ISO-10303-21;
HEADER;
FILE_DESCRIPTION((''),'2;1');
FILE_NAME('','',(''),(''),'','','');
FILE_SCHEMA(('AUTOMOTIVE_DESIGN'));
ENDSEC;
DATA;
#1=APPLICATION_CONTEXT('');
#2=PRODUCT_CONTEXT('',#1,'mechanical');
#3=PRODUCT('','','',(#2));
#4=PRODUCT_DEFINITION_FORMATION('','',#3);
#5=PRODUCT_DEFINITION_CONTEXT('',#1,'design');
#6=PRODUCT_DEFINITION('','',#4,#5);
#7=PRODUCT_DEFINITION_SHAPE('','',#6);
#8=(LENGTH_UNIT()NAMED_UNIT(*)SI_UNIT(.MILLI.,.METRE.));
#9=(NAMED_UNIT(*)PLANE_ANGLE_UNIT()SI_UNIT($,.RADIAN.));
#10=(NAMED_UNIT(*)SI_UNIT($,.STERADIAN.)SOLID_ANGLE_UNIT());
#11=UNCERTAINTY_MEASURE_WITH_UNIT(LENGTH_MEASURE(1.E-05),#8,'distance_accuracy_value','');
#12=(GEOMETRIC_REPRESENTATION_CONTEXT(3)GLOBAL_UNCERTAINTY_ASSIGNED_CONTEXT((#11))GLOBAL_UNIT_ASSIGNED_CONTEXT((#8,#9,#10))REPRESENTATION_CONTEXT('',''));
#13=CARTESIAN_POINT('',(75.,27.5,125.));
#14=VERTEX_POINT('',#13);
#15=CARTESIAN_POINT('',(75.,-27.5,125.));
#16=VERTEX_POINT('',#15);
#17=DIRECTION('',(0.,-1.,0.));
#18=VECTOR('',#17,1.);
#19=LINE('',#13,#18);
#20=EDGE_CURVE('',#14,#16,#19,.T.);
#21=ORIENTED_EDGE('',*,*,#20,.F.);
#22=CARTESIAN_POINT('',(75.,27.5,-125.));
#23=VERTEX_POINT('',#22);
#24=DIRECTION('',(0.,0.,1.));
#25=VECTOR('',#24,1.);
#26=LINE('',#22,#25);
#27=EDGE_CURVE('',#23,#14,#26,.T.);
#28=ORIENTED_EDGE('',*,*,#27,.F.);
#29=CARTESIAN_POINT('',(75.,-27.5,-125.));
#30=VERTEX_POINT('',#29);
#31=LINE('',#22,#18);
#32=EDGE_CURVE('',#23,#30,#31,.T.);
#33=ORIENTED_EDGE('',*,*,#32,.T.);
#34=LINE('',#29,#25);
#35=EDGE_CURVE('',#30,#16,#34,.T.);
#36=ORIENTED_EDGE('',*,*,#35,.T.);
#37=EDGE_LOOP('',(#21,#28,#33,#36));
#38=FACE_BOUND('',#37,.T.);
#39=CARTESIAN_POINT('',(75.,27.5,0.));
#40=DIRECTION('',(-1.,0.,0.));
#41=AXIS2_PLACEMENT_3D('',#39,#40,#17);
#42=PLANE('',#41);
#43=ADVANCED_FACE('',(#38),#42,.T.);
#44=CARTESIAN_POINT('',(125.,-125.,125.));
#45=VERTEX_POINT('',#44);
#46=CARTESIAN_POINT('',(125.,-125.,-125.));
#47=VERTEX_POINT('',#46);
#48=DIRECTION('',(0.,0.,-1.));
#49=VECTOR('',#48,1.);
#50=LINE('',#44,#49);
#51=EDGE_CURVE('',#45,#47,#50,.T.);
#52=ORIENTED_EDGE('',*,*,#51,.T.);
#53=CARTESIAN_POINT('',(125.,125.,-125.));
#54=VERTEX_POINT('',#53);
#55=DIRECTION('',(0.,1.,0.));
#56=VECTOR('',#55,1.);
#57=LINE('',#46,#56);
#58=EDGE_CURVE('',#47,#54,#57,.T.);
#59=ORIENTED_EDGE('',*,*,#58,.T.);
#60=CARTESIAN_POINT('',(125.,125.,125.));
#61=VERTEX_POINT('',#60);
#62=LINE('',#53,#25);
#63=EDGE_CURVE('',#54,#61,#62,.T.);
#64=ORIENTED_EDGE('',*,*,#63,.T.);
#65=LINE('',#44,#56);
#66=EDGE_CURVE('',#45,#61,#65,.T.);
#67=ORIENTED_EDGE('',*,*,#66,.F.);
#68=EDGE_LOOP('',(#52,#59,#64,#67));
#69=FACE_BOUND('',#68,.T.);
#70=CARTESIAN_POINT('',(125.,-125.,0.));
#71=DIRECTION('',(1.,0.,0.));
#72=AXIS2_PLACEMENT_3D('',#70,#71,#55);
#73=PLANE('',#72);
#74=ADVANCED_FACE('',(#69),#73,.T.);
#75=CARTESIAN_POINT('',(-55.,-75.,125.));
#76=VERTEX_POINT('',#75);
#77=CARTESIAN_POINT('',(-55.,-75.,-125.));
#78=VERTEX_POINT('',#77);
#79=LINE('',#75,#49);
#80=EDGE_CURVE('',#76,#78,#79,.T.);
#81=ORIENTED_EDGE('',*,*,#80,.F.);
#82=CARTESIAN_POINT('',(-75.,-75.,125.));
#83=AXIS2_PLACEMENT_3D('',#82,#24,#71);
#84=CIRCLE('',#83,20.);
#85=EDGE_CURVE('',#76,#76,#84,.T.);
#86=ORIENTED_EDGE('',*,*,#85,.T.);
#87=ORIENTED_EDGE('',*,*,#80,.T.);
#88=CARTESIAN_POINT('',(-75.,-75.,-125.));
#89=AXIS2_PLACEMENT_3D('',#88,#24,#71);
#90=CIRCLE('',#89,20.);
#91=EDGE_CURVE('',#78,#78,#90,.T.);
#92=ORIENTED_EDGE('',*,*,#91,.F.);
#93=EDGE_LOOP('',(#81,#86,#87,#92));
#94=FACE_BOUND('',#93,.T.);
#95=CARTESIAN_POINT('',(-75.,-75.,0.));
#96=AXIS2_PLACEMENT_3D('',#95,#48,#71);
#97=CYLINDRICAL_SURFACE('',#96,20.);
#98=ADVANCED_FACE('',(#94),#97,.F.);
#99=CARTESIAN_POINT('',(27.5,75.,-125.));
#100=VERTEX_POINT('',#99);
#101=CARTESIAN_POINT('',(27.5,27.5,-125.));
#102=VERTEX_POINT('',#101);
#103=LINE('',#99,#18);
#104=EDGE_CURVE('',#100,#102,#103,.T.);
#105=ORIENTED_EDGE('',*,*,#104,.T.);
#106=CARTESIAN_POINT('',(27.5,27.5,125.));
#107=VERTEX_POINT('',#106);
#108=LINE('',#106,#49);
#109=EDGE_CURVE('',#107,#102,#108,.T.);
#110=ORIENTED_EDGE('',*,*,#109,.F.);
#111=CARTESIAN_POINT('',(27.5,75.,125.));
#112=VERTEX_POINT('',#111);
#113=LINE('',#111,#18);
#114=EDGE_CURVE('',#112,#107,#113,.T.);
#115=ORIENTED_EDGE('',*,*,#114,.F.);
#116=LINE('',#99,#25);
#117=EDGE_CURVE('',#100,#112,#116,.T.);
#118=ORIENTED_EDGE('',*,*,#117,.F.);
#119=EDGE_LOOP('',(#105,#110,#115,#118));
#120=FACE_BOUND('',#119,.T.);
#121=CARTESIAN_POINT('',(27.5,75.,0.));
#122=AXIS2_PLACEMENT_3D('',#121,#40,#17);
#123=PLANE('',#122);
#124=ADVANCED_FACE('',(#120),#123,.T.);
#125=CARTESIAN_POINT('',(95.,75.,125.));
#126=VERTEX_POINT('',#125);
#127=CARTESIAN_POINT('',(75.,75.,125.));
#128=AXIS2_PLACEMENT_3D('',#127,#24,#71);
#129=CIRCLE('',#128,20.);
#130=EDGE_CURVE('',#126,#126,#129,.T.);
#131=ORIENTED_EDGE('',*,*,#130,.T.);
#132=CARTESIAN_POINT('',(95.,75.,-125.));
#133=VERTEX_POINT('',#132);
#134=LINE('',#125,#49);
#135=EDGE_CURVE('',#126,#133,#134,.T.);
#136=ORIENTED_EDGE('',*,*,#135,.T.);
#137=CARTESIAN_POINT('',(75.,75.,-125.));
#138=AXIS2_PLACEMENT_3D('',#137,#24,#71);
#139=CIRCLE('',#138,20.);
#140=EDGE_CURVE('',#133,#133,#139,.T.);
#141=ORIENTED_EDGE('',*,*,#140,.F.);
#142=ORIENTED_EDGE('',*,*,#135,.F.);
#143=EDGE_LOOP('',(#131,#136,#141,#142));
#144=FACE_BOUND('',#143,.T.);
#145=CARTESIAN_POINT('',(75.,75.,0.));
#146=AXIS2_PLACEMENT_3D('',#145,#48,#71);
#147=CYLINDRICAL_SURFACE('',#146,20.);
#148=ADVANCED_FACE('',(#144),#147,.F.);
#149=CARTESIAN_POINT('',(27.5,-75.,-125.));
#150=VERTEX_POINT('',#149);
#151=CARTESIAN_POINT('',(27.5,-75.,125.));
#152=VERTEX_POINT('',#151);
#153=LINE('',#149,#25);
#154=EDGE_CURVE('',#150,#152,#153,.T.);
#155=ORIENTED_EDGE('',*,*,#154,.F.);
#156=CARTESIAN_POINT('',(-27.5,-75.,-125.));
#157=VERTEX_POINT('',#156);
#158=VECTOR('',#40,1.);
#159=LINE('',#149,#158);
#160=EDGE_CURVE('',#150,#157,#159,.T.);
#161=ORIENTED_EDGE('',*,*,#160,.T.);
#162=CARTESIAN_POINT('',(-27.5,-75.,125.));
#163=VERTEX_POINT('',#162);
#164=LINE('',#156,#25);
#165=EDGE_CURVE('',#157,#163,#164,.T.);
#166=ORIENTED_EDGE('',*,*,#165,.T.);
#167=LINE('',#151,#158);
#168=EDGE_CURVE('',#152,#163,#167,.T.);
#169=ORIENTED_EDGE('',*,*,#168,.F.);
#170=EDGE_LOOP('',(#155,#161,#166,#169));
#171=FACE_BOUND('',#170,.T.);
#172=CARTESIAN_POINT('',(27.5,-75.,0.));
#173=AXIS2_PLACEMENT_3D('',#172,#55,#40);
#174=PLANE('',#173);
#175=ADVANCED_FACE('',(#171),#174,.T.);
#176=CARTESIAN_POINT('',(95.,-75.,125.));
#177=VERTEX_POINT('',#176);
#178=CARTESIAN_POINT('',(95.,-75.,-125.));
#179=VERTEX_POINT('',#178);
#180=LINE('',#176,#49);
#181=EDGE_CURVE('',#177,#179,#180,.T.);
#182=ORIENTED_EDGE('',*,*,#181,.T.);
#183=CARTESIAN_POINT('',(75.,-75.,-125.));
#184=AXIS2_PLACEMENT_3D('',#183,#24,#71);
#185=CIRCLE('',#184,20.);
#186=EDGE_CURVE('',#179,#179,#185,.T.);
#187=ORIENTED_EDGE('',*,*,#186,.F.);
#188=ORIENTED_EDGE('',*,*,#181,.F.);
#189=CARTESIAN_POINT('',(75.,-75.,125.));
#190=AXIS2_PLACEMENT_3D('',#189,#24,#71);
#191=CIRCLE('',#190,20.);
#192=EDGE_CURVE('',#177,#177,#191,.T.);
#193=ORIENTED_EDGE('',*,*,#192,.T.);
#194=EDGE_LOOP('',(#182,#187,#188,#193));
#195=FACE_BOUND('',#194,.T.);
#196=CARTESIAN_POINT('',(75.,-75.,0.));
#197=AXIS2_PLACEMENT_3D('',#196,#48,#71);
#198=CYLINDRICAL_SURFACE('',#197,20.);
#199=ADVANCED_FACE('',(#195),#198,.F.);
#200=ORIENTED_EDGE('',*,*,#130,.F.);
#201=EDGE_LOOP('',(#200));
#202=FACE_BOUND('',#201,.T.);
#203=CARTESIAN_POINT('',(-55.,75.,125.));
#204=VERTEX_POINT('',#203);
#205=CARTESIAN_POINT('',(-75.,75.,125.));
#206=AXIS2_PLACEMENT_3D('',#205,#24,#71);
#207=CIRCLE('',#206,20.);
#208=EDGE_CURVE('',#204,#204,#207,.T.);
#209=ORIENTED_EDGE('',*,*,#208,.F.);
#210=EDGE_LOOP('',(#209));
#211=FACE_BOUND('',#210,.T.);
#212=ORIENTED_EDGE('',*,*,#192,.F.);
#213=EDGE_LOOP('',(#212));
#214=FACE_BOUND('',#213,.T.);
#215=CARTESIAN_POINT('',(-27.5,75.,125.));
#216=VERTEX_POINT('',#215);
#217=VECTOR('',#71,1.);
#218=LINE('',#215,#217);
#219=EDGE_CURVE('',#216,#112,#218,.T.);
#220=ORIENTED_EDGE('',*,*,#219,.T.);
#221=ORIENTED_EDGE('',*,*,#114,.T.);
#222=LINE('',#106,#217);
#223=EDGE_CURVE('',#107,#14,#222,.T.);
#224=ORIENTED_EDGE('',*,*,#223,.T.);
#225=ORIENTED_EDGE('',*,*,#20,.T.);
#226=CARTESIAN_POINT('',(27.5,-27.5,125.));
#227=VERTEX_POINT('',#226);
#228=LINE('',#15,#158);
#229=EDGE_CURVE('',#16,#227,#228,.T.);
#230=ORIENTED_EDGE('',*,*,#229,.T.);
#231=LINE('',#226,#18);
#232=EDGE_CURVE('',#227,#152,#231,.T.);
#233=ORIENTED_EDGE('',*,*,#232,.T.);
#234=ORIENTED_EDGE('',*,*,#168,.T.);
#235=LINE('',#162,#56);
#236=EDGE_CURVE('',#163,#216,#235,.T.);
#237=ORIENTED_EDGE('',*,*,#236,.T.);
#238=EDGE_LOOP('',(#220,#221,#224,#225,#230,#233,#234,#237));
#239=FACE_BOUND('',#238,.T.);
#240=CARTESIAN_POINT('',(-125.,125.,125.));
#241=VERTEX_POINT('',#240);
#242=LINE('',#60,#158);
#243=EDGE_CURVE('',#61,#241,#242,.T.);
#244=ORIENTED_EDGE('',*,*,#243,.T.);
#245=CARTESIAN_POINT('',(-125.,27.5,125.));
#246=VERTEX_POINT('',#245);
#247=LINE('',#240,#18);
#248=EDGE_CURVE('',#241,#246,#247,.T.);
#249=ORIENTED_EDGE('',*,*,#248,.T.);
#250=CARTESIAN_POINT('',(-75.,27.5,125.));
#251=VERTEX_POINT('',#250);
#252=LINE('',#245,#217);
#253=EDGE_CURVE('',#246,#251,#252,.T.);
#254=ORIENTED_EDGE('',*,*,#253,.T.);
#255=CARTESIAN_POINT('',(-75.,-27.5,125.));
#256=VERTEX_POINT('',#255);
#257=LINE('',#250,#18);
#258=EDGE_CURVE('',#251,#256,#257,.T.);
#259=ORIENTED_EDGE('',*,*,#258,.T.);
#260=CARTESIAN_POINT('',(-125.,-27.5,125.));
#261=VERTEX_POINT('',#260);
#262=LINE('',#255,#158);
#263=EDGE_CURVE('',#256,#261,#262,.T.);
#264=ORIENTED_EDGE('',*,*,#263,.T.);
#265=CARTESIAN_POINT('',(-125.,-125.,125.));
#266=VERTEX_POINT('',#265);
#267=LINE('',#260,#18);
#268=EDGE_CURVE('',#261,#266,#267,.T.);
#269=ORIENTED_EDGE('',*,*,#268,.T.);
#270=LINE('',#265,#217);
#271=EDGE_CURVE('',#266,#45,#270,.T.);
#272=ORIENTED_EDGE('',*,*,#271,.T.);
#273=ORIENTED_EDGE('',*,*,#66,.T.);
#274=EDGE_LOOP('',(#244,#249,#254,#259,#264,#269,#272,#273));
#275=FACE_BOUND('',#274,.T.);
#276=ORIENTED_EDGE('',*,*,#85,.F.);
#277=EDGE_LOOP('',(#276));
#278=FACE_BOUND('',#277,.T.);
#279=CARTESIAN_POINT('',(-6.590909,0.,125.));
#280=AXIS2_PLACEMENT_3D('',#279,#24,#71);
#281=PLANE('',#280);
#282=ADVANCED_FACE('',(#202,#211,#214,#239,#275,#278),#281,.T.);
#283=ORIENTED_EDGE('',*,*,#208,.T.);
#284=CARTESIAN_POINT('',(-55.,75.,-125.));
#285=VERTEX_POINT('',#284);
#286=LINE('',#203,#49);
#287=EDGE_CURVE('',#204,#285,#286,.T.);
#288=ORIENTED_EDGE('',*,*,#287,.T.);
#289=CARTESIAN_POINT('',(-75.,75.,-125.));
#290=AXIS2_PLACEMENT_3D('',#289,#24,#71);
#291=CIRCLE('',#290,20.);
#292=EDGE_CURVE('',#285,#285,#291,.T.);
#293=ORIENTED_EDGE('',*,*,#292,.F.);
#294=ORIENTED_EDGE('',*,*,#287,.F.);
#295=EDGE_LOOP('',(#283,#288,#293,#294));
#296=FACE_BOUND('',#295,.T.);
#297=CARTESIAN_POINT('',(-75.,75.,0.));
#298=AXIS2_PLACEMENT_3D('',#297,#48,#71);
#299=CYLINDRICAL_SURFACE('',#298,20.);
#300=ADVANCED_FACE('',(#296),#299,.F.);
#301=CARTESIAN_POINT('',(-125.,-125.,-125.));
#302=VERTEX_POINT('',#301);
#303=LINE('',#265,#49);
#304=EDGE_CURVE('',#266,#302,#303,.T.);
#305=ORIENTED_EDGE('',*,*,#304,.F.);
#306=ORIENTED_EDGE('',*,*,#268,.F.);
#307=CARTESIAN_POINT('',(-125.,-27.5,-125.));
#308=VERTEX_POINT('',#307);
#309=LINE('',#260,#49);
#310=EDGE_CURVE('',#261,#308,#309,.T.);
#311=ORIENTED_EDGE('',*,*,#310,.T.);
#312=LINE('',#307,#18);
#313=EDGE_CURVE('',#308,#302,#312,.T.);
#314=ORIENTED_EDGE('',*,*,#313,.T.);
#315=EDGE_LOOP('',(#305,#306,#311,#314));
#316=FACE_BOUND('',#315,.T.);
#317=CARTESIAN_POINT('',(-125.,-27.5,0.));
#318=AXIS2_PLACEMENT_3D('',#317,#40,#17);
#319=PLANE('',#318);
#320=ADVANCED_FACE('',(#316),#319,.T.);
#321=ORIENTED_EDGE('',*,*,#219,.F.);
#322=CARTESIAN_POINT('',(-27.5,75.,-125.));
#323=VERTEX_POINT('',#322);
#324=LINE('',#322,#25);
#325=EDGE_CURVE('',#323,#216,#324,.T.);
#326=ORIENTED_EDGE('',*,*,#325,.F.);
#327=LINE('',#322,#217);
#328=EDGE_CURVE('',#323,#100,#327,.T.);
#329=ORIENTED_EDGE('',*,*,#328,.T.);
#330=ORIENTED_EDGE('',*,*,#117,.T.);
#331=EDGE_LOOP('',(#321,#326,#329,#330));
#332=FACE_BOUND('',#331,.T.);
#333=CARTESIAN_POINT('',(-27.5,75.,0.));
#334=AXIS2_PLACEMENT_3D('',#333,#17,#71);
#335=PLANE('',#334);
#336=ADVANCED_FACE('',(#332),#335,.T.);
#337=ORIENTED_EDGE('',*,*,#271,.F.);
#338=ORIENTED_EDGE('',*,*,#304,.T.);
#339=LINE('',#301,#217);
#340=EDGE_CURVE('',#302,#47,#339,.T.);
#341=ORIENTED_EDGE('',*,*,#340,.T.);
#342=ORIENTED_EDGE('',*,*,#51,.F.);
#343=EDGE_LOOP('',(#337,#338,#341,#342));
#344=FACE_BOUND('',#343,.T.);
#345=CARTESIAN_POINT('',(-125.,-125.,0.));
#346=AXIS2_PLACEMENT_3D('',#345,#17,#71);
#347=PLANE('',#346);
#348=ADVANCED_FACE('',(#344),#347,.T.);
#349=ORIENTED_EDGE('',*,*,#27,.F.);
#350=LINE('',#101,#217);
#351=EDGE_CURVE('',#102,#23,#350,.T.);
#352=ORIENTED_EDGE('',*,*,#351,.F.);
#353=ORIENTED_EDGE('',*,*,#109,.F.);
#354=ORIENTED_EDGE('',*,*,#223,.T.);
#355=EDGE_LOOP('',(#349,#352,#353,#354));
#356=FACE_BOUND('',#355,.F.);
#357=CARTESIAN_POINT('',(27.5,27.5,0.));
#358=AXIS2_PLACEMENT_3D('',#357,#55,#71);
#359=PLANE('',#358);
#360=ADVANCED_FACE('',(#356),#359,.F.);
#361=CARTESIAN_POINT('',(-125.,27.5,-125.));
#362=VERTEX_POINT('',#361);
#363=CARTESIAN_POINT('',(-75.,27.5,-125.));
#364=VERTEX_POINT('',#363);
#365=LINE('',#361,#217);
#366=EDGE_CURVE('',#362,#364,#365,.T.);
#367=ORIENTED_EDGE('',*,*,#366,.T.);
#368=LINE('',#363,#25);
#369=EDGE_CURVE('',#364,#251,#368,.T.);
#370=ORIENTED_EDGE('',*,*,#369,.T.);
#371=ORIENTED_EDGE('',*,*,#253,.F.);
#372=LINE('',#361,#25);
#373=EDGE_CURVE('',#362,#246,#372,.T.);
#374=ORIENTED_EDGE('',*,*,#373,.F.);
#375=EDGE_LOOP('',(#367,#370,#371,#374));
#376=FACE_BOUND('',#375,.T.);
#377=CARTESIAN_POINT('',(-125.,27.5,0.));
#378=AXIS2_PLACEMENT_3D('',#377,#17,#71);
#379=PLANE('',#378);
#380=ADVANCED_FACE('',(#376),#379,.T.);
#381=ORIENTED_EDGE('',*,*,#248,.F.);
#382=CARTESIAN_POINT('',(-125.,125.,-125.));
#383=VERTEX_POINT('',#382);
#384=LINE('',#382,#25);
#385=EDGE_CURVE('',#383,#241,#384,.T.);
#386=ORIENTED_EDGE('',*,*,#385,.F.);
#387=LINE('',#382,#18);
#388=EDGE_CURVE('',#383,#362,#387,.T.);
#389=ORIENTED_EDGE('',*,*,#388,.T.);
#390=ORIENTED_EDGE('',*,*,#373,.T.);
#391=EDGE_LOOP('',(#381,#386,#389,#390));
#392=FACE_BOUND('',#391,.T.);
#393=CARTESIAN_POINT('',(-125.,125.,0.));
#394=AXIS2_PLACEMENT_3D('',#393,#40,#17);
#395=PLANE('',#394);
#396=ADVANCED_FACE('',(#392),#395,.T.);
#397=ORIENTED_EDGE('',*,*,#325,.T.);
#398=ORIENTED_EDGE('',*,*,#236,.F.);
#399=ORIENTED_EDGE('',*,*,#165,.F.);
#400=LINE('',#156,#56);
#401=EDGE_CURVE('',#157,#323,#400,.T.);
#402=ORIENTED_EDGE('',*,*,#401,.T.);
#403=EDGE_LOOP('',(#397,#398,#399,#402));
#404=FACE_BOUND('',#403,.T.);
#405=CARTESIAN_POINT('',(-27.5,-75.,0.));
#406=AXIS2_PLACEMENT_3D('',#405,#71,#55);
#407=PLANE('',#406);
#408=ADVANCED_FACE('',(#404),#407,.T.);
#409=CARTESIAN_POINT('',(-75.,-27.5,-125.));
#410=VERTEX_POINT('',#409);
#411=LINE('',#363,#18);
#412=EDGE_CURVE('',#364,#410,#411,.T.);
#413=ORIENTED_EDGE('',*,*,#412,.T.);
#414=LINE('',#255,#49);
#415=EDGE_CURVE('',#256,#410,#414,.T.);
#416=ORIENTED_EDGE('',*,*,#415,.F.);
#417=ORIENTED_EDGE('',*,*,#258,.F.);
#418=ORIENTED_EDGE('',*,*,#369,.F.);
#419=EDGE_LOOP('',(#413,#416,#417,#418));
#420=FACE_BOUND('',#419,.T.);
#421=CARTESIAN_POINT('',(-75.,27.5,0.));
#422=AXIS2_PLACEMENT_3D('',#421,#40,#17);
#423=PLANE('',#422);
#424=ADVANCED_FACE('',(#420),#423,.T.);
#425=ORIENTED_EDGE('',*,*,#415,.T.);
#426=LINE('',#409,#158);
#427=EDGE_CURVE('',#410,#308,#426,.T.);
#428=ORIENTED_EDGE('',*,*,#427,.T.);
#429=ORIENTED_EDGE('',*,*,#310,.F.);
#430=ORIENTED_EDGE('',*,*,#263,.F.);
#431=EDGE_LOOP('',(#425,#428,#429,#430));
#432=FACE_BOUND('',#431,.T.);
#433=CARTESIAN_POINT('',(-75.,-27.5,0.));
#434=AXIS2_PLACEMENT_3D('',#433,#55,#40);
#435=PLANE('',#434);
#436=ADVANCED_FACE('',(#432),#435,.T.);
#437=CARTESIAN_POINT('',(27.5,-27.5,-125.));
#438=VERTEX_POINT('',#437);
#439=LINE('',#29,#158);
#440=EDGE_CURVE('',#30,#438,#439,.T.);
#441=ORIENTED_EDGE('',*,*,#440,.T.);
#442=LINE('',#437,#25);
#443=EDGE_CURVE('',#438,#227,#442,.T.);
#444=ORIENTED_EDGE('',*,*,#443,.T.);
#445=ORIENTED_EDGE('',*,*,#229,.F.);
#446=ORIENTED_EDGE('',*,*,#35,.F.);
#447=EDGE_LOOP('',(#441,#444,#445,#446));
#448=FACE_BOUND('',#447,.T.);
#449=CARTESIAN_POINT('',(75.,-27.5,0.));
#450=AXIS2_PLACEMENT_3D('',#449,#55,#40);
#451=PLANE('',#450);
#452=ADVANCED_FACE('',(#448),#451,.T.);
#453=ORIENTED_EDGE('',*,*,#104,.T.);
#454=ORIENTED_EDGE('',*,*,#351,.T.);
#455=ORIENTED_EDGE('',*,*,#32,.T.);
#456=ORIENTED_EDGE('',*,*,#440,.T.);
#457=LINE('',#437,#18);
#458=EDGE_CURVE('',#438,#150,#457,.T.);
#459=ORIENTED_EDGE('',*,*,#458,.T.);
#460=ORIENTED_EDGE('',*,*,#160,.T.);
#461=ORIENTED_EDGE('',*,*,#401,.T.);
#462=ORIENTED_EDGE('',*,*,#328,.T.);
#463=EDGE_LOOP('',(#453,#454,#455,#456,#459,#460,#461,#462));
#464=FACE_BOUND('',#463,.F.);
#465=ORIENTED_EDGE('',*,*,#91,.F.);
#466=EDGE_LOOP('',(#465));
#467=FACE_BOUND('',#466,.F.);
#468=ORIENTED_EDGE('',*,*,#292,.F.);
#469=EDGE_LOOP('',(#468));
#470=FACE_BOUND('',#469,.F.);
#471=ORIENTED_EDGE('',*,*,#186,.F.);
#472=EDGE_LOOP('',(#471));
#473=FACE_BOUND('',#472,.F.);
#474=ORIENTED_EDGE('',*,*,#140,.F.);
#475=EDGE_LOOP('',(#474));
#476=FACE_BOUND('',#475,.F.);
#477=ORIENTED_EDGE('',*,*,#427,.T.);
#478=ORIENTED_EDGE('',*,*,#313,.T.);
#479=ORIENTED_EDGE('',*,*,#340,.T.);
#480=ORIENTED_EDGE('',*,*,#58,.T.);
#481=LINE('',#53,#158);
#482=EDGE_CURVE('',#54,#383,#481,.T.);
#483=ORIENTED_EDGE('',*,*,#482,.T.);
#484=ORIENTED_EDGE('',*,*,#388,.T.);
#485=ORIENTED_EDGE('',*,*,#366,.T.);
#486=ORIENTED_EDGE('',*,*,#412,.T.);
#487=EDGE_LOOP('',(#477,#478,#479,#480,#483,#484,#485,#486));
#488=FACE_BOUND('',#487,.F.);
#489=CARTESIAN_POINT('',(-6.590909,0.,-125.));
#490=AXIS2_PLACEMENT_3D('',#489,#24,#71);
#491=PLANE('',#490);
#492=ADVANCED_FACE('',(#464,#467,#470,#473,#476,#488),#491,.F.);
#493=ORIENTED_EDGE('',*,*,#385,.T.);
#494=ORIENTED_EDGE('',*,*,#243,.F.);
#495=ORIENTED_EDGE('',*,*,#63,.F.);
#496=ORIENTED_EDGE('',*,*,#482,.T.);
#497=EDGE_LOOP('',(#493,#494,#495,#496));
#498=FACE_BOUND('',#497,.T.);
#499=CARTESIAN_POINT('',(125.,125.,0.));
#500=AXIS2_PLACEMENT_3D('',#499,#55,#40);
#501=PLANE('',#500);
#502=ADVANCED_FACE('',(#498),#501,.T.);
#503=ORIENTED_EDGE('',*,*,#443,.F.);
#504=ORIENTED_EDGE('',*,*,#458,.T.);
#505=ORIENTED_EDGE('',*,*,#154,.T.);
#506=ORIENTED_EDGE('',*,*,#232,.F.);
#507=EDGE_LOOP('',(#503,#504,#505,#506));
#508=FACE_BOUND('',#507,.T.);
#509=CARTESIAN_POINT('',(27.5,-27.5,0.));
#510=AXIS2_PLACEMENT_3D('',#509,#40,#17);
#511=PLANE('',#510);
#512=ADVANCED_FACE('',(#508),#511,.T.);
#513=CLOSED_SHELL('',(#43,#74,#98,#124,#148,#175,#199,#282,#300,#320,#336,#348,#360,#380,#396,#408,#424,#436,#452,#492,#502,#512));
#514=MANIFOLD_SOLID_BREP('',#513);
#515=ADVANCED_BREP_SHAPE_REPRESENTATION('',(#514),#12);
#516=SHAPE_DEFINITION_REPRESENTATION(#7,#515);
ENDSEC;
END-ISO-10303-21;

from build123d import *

# Parameters (mm, degrees)
F0_R     = 20
F1_DEPTH = 125


with BuildPart() as f1:
    # F0 (on Top) → F1 (new body, symmetric)
    with BuildSketch(Plane.XY):
        Polygon((125, -125), (125, 125), (-125, 125), (-125, 27.5), (-75, 27.5), (-75, -27.5), (-125, -27.5), (-125, -125), align=None)
        with Locations((-75, -75)):
            Circle(F0_R, mode=Mode.SUBTRACT)
        with Locations((75, -75)):
            Circle(F0_R, mode=Mode.SUBTRACT)
        with Locations((-75, 75)):
            Circle(F0_R, mode=Mode.SUBTRACT)
        Polygon((-27.5, -75), (-27.5, 75), (27.5, 75), (27.5, 27.5), (75, 27.5), (75, -27.5), (27.5, -27.5), (27.5, -75), align=None, mode=Mode.SUBTRACT)
        with Locations((75, 75)):
            Circle(F0_R, mode=Mode.SUBTRACT)
    extrude(amount=F1_DEPTH, both=True)


solid = f1.part
